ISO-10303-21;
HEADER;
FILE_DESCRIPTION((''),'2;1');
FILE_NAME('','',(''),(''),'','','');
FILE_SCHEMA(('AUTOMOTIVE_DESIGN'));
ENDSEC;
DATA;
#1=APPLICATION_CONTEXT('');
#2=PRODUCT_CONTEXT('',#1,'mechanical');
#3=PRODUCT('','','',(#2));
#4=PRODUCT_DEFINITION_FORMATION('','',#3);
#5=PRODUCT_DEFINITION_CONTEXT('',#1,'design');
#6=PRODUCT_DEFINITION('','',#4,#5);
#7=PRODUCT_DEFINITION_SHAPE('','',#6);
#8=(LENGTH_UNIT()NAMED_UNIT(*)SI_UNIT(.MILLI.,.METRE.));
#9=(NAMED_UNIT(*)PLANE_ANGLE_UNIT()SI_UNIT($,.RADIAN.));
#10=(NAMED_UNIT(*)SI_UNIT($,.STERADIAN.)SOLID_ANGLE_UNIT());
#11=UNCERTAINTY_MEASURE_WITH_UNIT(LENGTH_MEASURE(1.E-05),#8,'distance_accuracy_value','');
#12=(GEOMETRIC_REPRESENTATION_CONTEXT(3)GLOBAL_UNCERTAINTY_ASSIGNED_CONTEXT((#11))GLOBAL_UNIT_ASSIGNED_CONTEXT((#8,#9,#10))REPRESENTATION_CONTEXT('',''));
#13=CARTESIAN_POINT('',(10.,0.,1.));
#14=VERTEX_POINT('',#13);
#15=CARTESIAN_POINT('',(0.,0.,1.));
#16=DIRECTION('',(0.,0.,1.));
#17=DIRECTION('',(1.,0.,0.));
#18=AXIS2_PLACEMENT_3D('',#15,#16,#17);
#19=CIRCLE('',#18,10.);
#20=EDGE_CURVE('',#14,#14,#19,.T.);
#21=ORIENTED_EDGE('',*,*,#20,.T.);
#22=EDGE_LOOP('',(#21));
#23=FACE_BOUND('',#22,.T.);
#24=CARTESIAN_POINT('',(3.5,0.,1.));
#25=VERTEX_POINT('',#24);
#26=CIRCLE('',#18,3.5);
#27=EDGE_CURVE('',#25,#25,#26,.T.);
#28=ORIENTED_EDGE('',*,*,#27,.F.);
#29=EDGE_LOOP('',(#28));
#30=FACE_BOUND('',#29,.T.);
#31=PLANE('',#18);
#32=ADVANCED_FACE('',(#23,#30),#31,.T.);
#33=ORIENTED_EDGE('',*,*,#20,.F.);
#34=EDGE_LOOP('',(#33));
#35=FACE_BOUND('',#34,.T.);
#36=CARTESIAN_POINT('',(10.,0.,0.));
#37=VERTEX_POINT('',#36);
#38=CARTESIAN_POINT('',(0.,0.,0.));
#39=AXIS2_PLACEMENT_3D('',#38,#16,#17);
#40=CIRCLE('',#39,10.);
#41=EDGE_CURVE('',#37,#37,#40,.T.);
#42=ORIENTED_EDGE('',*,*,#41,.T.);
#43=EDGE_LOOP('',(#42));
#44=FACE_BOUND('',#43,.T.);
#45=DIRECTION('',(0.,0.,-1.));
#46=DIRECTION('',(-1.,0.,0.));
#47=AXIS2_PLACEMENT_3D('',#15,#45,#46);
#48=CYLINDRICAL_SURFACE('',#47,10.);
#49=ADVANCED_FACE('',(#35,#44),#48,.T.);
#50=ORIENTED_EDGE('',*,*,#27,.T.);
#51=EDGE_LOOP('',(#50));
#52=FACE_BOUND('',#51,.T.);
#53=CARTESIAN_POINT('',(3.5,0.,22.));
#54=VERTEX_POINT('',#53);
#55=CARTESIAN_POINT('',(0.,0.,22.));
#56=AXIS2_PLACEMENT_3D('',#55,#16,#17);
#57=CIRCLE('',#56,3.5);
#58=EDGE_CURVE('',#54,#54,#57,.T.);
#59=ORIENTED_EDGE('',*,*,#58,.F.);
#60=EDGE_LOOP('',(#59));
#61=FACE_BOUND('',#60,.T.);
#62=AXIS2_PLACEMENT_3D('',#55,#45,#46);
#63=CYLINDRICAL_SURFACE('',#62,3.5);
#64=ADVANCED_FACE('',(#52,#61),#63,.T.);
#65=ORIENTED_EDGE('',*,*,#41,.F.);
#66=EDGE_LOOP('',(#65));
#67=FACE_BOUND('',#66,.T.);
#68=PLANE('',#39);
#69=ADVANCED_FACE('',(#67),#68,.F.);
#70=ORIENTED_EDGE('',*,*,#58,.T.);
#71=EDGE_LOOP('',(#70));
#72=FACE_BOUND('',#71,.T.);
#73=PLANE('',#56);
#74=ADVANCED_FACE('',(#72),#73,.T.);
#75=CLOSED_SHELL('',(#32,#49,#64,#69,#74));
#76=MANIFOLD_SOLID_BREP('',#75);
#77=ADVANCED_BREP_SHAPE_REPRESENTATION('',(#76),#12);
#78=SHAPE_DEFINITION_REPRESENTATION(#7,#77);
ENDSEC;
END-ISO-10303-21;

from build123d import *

# Parameters (mm, degrees)
CROQUIS1_R              = 10
SALIENTE_EXTRUIR1_DEPTH = 1
CROQUIS2_R              = 3.5
SALIENTE_EXTRUIR2_DEPTH = 21


with BuildPart() as part:
    # Croquis1 → Saliente-Extruir1 (new body)
    with BuildSketch(Plane.XY):
        Circle(CROQUIS1_R)
    extrude(amount=SALIENTE_EXTRUIR1_DEPTH)

    # Croquis2 → Saliente-Extruir2 (add)
    with BuildSketch(Plane.XY.offset(1)):
        Circle(CROQUIS2_R)
    extrude(amount=SALIENTE_EXTRUIR2_DEPTH)


solid = part.part
